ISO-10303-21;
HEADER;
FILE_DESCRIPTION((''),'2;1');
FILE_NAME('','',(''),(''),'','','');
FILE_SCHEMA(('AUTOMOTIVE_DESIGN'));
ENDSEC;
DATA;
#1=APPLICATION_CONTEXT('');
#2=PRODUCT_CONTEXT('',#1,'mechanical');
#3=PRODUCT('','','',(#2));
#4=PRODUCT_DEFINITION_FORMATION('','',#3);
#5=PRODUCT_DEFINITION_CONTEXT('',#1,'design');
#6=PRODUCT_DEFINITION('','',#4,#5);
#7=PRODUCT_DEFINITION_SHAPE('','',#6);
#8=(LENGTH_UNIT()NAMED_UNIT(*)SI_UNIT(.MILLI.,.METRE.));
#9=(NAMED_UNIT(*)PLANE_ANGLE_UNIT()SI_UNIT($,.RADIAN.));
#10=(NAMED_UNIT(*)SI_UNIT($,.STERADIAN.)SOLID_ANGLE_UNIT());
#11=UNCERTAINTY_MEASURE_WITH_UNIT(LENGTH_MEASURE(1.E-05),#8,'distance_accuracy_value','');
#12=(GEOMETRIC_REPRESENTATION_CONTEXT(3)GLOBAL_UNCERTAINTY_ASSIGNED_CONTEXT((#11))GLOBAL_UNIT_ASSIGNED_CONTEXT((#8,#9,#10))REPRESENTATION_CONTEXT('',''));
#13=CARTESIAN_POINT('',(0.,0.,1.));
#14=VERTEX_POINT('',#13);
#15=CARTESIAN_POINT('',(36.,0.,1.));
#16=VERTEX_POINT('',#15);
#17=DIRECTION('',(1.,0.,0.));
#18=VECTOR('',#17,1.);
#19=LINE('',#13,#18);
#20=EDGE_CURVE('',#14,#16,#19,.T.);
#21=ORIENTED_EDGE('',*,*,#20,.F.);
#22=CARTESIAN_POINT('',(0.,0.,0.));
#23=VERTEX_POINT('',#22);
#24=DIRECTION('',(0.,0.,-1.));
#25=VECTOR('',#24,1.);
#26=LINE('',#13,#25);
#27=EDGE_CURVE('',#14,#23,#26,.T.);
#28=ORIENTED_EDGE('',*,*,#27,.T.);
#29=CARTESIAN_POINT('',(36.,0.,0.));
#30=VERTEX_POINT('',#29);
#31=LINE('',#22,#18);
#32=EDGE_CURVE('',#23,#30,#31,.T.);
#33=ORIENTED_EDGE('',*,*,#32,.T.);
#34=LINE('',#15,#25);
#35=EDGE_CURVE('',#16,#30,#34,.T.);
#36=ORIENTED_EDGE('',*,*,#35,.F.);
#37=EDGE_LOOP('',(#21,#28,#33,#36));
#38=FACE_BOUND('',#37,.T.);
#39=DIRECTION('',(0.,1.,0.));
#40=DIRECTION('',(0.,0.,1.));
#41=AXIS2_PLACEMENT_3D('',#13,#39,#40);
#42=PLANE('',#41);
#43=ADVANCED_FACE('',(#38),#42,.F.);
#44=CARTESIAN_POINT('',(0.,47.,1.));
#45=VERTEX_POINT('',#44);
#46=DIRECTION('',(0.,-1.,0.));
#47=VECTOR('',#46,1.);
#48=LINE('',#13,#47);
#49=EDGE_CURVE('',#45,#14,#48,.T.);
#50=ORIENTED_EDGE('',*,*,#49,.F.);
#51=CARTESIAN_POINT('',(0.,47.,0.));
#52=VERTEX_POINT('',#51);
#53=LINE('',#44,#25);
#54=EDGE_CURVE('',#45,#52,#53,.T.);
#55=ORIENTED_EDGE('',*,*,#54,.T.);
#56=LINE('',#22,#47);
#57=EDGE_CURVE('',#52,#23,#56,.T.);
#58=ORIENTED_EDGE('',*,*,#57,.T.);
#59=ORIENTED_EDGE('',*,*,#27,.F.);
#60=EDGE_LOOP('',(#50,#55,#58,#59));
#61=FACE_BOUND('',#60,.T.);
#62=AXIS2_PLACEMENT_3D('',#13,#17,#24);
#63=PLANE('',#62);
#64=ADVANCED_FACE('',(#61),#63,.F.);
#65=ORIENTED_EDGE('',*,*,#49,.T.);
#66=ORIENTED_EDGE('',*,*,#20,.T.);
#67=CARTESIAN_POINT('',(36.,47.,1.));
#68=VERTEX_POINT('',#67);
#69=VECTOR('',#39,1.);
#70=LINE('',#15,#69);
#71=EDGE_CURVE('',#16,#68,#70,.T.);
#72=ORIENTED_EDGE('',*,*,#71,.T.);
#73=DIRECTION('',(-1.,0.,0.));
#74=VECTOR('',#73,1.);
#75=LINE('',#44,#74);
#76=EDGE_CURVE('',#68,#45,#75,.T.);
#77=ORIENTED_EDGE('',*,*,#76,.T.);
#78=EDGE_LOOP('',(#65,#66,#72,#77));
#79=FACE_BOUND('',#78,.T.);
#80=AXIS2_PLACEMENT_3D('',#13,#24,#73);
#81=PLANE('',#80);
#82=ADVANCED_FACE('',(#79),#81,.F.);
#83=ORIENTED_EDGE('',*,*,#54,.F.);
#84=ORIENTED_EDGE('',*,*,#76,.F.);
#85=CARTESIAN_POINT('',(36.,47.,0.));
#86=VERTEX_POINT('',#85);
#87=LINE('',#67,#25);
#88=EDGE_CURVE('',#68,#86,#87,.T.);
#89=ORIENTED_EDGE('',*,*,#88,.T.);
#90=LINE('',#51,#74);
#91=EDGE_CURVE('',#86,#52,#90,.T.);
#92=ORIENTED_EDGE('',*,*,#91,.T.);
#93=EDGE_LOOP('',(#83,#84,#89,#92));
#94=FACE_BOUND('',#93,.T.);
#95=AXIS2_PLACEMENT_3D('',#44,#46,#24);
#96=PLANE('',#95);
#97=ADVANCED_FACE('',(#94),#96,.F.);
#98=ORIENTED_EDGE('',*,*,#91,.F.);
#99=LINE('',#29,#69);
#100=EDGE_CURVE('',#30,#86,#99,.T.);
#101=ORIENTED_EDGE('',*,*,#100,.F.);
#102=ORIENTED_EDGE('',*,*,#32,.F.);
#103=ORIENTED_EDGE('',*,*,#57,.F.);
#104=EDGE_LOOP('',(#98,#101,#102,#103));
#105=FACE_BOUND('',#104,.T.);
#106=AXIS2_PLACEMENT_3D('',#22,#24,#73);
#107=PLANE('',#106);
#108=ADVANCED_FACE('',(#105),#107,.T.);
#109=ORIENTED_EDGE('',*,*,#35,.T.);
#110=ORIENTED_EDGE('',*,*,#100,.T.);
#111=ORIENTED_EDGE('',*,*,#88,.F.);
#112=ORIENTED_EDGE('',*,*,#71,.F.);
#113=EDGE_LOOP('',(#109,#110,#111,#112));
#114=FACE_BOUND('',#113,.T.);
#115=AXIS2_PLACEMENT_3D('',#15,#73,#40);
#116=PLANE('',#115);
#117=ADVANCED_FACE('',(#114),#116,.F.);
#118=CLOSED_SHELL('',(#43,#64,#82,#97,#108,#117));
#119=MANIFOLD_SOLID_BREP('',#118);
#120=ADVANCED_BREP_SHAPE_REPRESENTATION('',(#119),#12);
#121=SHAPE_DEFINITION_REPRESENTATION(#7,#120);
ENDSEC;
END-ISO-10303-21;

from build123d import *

# Parameters (mm, degrees)
SKETCH_1_W      = 36
SKETCH_1_H      = 47
EXTRUDE_1_DEPTH = 1


with BuildPart() as part:
    # ｽｹｯﾁ1 → ﾎﾞｽ - 押し出し1 (new body)
    with BuildSketch(Plane.XY):
        with Locations((18, 23.5)):
            Rectangle(SKETCH_1_W, SKETCH_1_H)
    extrude(amount=EXTRUDE_1_DEPTH)


solid = part.part
